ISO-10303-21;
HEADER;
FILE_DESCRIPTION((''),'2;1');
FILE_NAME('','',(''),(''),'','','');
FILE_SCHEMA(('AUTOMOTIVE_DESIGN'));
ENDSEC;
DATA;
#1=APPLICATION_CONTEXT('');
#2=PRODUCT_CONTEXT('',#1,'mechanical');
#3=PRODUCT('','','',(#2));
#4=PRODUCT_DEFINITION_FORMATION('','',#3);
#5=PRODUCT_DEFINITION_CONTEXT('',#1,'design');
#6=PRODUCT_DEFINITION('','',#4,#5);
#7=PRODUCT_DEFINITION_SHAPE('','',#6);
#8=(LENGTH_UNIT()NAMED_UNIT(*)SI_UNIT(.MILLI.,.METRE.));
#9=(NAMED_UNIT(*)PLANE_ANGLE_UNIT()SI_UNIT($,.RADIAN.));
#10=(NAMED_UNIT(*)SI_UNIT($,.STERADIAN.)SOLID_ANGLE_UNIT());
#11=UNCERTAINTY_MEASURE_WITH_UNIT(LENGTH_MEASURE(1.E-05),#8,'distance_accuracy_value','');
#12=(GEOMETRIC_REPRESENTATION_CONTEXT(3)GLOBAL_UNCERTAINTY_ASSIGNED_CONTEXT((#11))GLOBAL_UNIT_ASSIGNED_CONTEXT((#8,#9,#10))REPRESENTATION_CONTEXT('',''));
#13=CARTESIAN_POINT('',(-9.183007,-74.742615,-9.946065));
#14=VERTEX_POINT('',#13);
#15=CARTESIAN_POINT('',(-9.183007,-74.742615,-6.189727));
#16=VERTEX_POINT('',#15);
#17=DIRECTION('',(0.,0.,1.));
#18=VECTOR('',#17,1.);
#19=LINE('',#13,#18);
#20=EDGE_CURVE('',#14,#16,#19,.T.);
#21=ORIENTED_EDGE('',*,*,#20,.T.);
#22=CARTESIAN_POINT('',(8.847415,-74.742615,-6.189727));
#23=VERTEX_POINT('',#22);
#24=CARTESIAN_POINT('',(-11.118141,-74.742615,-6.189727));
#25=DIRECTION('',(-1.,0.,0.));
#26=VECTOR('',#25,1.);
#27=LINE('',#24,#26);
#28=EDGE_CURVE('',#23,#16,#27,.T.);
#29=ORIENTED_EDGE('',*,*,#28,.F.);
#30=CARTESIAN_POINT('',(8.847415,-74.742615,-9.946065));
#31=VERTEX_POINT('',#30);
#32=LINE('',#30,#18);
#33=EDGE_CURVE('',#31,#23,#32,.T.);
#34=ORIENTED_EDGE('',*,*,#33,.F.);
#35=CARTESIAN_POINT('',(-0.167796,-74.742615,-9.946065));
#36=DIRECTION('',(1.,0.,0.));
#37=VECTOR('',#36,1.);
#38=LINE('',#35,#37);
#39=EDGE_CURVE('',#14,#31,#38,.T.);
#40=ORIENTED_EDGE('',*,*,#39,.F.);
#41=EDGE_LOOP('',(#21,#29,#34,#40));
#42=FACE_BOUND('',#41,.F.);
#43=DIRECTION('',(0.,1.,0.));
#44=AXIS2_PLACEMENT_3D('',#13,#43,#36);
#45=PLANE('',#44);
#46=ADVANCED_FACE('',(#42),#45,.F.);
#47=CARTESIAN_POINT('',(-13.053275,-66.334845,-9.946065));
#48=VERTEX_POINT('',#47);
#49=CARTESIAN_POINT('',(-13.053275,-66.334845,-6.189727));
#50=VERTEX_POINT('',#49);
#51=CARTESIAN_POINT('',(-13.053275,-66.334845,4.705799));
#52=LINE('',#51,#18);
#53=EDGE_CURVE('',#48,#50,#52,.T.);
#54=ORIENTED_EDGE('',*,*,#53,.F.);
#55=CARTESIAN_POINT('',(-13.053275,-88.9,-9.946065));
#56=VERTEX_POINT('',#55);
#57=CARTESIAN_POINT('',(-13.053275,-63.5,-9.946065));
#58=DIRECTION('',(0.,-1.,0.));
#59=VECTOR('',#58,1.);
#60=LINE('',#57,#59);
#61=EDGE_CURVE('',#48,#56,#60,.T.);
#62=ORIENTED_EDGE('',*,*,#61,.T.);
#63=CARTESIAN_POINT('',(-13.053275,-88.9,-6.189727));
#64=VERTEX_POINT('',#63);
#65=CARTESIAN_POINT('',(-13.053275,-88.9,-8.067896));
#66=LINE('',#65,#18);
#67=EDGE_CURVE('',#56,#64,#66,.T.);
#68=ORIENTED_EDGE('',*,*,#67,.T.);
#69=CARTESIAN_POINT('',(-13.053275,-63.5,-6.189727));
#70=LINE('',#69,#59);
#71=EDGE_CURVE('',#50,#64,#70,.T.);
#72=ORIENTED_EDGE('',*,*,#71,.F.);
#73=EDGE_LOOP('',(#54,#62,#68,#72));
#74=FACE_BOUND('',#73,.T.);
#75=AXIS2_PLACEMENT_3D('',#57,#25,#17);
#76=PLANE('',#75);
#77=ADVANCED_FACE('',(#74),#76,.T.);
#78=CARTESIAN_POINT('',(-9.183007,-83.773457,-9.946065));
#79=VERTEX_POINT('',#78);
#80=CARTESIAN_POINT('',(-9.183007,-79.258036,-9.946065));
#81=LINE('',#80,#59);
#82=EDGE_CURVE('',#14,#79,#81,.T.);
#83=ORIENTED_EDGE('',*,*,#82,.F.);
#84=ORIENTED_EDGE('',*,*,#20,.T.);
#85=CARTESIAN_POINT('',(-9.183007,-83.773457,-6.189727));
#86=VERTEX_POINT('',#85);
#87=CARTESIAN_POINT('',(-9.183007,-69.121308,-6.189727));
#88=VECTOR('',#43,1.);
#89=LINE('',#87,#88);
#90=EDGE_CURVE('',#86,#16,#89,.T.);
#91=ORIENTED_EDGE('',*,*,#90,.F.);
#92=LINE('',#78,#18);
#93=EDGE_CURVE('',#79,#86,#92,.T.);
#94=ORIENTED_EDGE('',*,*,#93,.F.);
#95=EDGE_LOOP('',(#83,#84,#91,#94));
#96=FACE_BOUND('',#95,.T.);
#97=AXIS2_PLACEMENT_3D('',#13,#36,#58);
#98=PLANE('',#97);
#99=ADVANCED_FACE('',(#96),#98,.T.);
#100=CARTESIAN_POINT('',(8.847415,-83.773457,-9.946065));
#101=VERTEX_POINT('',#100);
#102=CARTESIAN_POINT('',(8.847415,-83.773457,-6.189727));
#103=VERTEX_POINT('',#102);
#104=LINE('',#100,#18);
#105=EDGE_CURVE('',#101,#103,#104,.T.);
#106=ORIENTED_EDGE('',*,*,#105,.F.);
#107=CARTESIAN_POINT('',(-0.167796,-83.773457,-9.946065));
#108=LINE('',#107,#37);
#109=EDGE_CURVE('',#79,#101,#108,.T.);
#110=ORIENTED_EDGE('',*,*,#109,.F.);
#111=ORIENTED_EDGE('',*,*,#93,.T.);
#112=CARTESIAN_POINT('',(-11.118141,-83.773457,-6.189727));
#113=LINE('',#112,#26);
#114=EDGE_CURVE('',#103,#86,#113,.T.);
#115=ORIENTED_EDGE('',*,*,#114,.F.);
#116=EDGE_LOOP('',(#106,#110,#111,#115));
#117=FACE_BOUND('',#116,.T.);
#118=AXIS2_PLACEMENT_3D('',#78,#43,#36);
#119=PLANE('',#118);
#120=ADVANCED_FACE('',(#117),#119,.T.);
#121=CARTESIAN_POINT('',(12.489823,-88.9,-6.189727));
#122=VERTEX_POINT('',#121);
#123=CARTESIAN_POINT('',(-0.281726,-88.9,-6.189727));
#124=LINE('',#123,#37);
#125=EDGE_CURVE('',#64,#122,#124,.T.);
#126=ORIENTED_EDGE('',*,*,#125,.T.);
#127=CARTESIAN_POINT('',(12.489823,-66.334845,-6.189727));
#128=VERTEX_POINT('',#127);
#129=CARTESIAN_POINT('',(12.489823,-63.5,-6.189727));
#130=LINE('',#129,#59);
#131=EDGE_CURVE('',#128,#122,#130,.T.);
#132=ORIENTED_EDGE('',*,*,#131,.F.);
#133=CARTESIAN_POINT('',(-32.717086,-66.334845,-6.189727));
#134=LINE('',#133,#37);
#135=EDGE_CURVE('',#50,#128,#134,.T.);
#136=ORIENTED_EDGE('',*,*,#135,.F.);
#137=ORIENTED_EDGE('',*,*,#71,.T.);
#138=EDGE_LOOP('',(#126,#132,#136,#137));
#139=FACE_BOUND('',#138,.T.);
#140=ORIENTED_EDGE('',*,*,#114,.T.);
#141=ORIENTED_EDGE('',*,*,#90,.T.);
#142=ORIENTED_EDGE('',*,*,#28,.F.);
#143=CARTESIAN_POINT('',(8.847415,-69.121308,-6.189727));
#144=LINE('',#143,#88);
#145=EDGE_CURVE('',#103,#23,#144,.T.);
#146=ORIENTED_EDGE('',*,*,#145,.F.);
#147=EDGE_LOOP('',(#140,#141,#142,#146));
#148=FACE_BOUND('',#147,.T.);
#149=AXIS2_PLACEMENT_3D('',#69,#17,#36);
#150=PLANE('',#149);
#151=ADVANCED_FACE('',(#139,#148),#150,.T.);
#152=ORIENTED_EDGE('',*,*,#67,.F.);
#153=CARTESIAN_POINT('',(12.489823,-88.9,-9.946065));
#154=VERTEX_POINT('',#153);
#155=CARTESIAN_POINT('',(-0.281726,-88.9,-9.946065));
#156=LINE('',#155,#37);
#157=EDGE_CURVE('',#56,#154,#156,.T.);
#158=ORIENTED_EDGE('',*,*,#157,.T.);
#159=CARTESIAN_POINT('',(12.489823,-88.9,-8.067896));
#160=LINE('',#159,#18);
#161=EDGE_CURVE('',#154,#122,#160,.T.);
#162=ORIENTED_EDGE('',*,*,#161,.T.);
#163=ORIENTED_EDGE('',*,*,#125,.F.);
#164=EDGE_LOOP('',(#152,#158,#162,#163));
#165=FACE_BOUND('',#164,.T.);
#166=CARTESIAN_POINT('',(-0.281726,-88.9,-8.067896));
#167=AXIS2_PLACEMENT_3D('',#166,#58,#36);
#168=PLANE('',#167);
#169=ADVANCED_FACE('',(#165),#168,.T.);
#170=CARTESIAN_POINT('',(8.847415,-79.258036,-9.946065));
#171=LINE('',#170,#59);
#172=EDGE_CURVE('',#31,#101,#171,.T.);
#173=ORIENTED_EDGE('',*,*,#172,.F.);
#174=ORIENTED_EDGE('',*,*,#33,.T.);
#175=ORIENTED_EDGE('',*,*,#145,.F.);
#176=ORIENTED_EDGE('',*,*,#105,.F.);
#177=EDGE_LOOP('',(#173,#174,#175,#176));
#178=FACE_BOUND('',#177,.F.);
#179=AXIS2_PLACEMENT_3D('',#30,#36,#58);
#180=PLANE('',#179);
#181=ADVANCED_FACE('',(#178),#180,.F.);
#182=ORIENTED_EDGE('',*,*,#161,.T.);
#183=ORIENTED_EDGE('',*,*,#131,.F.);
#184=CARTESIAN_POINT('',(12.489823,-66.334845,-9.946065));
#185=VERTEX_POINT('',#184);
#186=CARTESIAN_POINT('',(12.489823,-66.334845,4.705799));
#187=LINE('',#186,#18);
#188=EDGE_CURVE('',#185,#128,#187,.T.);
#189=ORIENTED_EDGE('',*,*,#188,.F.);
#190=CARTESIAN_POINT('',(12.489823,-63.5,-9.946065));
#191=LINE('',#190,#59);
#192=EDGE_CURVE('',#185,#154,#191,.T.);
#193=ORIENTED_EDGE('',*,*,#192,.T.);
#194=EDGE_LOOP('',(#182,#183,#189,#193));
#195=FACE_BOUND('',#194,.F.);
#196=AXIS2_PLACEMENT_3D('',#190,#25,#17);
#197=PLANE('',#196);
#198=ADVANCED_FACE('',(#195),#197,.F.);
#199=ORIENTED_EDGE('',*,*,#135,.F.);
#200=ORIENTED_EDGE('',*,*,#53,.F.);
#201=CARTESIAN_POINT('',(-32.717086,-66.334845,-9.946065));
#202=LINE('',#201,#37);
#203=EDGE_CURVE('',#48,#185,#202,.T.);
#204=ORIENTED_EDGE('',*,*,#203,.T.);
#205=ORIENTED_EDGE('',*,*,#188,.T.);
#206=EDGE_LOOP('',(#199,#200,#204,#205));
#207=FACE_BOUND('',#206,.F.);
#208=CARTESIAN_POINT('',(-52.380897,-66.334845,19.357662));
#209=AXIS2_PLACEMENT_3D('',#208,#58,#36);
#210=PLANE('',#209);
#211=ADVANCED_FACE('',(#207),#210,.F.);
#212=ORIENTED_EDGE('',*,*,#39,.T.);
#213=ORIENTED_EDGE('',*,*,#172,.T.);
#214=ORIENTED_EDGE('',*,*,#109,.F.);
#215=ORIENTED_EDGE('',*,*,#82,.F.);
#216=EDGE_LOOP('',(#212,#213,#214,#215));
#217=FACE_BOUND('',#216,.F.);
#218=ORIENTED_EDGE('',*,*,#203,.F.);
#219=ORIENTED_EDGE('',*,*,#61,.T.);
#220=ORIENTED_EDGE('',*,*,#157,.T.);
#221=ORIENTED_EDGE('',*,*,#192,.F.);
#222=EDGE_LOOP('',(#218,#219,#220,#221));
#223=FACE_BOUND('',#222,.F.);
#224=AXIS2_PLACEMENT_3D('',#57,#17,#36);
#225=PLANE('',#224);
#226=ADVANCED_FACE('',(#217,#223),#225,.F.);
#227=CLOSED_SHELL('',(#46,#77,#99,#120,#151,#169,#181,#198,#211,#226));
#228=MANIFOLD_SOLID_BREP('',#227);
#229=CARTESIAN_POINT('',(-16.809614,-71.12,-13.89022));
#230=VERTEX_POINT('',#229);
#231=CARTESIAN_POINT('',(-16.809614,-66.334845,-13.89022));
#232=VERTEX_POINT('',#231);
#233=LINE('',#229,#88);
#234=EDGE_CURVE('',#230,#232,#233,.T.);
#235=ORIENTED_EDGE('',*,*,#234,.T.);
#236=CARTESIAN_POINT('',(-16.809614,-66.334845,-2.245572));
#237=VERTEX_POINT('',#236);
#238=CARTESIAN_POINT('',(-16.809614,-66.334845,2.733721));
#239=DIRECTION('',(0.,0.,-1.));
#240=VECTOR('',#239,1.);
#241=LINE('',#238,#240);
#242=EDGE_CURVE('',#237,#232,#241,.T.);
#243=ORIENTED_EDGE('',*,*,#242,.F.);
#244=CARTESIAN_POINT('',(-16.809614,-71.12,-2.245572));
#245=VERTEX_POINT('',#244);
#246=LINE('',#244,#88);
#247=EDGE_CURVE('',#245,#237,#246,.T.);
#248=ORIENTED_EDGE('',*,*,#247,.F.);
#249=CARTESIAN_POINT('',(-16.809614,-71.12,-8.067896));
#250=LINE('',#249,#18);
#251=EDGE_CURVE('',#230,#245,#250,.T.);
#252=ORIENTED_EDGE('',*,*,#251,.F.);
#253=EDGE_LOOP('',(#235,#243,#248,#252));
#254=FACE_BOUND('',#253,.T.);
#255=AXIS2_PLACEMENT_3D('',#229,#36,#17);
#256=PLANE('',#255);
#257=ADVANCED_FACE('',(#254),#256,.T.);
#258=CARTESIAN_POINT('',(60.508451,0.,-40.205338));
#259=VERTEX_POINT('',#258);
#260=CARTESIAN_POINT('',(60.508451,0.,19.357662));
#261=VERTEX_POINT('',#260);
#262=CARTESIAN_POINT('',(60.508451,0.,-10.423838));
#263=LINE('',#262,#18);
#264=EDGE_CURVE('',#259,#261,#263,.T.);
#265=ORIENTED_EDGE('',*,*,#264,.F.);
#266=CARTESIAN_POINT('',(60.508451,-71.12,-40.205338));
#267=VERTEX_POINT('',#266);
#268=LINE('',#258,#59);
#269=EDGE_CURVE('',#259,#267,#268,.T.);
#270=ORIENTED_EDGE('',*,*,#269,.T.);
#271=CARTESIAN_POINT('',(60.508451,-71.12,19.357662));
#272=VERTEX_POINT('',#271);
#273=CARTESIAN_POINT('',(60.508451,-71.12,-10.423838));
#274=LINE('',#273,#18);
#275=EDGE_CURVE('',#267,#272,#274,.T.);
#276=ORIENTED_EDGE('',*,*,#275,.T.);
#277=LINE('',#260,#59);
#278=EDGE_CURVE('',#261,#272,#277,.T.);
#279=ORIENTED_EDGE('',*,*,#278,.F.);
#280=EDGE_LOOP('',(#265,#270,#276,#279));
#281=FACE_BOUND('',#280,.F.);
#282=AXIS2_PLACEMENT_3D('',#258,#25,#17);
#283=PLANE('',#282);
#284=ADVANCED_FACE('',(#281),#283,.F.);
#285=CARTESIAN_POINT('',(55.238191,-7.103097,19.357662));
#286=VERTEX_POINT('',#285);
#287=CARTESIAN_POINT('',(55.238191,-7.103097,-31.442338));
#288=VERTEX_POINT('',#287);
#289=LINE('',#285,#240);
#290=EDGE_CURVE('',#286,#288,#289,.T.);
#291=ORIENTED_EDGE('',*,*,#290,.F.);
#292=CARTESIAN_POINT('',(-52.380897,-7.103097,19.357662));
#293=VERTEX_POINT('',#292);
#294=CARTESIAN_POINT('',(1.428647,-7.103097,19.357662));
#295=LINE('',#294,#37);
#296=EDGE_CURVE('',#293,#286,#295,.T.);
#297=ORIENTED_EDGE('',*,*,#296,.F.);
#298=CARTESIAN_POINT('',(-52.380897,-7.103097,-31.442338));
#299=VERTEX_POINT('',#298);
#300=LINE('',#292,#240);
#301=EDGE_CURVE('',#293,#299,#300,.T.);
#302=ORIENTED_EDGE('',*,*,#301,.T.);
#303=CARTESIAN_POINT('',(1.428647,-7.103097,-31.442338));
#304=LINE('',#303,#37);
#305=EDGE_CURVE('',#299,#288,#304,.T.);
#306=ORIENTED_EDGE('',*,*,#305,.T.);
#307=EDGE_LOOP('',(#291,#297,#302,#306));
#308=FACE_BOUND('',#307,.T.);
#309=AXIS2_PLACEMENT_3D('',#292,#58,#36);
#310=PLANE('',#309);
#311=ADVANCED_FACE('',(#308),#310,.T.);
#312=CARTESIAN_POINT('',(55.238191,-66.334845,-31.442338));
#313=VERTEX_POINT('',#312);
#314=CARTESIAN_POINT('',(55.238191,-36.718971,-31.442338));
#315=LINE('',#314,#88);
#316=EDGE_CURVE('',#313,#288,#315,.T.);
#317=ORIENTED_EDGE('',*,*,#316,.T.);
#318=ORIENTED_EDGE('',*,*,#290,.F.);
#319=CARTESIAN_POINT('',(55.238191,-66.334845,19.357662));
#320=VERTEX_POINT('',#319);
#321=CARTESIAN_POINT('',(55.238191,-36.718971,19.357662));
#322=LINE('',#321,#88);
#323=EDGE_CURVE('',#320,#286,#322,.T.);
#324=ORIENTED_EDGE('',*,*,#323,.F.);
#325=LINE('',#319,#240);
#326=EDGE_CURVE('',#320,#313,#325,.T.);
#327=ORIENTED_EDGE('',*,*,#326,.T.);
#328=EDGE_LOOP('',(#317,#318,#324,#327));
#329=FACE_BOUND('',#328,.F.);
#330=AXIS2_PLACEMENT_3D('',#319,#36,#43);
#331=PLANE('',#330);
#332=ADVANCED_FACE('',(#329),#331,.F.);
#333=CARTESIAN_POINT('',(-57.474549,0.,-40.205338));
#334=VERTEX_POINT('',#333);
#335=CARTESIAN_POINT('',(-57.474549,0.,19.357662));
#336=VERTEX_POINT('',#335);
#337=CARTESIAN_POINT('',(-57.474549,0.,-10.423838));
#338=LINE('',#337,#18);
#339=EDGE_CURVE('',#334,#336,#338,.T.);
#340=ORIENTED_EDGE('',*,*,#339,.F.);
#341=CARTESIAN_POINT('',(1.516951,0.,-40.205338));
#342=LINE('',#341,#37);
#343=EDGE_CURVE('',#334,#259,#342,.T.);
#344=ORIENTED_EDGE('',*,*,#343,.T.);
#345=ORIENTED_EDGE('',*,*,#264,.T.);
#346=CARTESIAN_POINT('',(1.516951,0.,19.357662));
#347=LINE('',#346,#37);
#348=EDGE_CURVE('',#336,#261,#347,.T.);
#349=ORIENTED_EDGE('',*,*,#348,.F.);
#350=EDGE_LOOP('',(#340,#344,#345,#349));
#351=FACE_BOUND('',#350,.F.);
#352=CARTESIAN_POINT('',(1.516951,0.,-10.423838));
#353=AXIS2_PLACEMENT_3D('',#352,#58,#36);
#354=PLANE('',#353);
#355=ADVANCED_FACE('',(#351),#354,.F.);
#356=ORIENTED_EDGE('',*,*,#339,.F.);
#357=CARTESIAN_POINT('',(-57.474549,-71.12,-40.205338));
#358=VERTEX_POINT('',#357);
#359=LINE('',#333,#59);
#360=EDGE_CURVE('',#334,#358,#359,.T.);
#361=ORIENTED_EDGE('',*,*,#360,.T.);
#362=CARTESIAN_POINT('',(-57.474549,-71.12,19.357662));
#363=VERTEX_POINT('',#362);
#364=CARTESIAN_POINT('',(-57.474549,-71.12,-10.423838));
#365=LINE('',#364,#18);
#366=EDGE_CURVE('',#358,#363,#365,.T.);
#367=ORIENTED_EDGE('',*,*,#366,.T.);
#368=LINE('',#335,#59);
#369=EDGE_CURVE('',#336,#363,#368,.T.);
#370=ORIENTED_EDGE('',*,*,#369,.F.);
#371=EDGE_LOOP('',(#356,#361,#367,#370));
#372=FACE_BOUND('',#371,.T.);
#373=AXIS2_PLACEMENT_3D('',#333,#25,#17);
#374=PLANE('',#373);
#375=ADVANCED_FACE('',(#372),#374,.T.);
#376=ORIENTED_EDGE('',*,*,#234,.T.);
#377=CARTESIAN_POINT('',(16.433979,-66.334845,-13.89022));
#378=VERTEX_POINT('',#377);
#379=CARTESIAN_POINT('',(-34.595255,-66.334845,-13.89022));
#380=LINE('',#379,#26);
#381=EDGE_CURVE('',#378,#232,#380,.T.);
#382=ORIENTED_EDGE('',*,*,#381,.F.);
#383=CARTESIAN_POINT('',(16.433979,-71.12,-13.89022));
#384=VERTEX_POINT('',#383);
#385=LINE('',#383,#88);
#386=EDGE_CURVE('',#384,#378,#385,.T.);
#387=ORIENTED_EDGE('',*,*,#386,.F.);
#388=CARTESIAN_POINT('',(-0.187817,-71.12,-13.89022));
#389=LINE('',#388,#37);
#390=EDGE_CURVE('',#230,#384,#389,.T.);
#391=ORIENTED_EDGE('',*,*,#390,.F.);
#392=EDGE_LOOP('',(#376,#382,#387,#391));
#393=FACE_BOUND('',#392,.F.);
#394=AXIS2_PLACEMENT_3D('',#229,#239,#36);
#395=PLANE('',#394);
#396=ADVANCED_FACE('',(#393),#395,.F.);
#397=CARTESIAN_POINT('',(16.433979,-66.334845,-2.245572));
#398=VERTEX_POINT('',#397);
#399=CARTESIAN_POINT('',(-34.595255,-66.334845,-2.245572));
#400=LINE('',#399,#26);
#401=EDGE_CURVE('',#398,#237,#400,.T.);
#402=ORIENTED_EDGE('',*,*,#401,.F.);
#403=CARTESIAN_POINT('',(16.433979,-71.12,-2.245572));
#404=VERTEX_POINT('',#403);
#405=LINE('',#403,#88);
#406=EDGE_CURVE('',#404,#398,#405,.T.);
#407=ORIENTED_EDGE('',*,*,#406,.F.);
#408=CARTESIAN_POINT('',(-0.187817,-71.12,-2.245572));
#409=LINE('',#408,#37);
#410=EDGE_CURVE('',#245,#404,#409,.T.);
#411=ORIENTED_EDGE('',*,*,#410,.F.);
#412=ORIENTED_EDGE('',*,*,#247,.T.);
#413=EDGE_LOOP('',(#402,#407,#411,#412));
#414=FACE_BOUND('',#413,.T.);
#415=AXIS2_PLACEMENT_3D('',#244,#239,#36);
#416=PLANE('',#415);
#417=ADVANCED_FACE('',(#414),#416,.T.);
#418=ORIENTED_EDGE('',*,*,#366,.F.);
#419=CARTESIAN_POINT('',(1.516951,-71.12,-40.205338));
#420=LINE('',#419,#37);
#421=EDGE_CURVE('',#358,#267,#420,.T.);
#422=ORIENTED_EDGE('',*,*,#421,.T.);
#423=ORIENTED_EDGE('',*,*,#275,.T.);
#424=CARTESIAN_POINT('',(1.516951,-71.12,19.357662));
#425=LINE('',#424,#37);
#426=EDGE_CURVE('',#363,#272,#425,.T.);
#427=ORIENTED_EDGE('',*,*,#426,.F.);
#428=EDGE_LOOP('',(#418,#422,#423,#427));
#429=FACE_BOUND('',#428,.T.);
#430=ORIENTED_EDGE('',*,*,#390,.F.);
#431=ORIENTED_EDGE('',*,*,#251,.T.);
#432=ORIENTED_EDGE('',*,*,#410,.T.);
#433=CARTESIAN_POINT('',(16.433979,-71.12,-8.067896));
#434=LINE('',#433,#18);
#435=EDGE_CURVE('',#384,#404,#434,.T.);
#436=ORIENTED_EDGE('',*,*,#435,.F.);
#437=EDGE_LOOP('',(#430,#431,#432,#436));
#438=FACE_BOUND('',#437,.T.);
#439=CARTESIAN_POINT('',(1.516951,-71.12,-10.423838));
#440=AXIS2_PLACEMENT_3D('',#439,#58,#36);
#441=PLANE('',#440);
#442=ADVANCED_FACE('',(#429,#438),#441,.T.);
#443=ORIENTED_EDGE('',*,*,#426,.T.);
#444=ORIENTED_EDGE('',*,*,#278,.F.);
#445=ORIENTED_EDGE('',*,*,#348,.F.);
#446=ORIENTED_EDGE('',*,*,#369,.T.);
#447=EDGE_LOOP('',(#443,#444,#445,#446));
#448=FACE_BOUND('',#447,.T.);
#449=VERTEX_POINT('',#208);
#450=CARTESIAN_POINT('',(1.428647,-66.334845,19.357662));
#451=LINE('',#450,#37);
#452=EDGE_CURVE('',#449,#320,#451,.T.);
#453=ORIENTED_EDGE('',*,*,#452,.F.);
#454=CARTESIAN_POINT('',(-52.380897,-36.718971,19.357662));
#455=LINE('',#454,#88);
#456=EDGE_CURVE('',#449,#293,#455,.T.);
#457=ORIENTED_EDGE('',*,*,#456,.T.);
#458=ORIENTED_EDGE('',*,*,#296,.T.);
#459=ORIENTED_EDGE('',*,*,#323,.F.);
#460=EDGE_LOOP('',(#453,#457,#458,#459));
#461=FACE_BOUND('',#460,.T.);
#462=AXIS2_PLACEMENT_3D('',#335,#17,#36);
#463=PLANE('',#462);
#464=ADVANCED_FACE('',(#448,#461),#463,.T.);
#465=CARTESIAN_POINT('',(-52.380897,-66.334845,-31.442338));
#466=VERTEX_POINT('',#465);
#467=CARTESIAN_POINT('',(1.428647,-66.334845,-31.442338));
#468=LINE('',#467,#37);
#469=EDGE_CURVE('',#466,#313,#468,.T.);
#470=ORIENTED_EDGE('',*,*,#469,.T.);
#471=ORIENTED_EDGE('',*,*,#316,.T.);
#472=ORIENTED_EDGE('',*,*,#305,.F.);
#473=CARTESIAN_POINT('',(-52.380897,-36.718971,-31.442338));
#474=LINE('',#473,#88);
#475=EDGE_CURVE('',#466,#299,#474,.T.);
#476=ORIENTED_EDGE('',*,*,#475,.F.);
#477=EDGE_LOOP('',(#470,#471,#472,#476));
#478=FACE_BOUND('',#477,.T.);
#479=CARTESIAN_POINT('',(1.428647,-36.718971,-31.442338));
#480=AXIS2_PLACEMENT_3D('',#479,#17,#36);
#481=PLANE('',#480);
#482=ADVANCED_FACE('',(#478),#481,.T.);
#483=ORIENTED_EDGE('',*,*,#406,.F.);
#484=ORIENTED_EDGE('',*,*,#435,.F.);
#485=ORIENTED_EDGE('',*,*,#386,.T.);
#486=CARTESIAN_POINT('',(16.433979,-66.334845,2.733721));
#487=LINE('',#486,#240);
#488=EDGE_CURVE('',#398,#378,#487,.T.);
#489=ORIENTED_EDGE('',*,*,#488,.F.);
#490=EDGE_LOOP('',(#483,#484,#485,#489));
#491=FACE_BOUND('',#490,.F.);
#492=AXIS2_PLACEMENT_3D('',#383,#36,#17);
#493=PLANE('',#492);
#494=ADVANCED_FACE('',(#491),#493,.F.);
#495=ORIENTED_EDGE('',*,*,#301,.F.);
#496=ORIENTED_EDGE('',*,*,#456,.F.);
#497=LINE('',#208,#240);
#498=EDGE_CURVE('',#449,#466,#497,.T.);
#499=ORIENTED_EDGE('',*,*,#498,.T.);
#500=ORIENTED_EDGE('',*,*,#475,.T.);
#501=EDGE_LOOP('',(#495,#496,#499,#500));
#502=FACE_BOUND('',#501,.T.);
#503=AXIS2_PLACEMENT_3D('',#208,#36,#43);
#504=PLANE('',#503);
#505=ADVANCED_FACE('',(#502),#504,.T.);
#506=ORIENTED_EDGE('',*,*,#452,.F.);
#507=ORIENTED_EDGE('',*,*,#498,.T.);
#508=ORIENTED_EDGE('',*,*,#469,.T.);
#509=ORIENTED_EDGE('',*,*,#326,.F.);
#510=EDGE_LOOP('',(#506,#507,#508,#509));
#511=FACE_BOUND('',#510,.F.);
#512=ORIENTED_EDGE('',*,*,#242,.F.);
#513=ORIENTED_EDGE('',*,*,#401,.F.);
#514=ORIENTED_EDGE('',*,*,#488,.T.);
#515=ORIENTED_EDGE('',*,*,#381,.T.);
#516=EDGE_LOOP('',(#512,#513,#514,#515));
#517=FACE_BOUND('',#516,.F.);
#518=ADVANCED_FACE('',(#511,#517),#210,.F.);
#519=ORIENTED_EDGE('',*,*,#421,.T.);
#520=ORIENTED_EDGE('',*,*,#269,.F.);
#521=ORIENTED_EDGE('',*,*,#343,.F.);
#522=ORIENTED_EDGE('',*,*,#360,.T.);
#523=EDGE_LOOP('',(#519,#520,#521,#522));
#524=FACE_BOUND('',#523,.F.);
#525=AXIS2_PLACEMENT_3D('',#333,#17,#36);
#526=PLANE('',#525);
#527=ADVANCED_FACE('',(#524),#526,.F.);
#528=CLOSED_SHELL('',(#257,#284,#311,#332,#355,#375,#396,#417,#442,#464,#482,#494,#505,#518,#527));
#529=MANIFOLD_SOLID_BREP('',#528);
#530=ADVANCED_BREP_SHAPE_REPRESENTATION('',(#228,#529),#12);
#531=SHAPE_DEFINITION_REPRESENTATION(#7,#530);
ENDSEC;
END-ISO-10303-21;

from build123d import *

# Parameters (mm, degrees)
F0_W     = 117.983
F0_H     = 59.563
F1_DEPTH = 71.12
F2_W     = 33.243593
F2_H     = 11.644649
F3_DEPTH = 7.62
F4_W     = 25.543099
F4_H     = 3.756338
F5_DEPTH = 25.4
F6_W     = 18.030422
F6_H     = 9.030842
F7_DEPTH = 5.08
F8_W     = 107.619088
F8_H     = 59.231747
F9_DEPTH = 50.8


with BuildPart() as f1:
    # F0 (on Front) → F1 (new body)
    with BuildSketch(Plane.XZ):
        with Locations((1.516951, -10.423838)):
            Rectangle(F0_W, F0_H)
    extrude(amount=F1_DEPTH)

    # F2 (on face) → F3 (cut)
    with BuildSketch(Plane.XZ.offset(71.12)):
        with Locations((-0.187817, -8.067896)):
            Rectangle(F2_W, F2_H)
    extrude(amount=-F3_DEPTH, mode=Mode.SUBTRACT)

    # F4 (on face) → F5 (join)
    with BuildSketch(Plane.XZ.offset(63.5)):
        with Locations((-0.281726, -8.067896)):
            Rectangle(F4_W, F4_H)
    extrude(amount=F5_DEPTH)

    # F6 (on face) → F7 (cut)
    with BuildSketch(Plane(origin=(0, 0, -9.946065), x_dir=(1, 0, 0), z_dir=(0, 0, -1))):
        with Locations((-0.167796, 79.258036)):
            Rectangle(F6_W, F6_H)
    extrude(amount=-F7_DEPTH, mode=Mode.SUBTRACT)

    # F8 (on face) → F9 (cut)
    with BuildSketch(Plane.XY.offset(19.357662)):
        with Locations((1.428647, -36.718971)):
            Rectangle(F8_W, F8_H)
    extrude(amount=-F9_DEPTH, mode=Mode.SUBTRACT)


solid = f1.part
